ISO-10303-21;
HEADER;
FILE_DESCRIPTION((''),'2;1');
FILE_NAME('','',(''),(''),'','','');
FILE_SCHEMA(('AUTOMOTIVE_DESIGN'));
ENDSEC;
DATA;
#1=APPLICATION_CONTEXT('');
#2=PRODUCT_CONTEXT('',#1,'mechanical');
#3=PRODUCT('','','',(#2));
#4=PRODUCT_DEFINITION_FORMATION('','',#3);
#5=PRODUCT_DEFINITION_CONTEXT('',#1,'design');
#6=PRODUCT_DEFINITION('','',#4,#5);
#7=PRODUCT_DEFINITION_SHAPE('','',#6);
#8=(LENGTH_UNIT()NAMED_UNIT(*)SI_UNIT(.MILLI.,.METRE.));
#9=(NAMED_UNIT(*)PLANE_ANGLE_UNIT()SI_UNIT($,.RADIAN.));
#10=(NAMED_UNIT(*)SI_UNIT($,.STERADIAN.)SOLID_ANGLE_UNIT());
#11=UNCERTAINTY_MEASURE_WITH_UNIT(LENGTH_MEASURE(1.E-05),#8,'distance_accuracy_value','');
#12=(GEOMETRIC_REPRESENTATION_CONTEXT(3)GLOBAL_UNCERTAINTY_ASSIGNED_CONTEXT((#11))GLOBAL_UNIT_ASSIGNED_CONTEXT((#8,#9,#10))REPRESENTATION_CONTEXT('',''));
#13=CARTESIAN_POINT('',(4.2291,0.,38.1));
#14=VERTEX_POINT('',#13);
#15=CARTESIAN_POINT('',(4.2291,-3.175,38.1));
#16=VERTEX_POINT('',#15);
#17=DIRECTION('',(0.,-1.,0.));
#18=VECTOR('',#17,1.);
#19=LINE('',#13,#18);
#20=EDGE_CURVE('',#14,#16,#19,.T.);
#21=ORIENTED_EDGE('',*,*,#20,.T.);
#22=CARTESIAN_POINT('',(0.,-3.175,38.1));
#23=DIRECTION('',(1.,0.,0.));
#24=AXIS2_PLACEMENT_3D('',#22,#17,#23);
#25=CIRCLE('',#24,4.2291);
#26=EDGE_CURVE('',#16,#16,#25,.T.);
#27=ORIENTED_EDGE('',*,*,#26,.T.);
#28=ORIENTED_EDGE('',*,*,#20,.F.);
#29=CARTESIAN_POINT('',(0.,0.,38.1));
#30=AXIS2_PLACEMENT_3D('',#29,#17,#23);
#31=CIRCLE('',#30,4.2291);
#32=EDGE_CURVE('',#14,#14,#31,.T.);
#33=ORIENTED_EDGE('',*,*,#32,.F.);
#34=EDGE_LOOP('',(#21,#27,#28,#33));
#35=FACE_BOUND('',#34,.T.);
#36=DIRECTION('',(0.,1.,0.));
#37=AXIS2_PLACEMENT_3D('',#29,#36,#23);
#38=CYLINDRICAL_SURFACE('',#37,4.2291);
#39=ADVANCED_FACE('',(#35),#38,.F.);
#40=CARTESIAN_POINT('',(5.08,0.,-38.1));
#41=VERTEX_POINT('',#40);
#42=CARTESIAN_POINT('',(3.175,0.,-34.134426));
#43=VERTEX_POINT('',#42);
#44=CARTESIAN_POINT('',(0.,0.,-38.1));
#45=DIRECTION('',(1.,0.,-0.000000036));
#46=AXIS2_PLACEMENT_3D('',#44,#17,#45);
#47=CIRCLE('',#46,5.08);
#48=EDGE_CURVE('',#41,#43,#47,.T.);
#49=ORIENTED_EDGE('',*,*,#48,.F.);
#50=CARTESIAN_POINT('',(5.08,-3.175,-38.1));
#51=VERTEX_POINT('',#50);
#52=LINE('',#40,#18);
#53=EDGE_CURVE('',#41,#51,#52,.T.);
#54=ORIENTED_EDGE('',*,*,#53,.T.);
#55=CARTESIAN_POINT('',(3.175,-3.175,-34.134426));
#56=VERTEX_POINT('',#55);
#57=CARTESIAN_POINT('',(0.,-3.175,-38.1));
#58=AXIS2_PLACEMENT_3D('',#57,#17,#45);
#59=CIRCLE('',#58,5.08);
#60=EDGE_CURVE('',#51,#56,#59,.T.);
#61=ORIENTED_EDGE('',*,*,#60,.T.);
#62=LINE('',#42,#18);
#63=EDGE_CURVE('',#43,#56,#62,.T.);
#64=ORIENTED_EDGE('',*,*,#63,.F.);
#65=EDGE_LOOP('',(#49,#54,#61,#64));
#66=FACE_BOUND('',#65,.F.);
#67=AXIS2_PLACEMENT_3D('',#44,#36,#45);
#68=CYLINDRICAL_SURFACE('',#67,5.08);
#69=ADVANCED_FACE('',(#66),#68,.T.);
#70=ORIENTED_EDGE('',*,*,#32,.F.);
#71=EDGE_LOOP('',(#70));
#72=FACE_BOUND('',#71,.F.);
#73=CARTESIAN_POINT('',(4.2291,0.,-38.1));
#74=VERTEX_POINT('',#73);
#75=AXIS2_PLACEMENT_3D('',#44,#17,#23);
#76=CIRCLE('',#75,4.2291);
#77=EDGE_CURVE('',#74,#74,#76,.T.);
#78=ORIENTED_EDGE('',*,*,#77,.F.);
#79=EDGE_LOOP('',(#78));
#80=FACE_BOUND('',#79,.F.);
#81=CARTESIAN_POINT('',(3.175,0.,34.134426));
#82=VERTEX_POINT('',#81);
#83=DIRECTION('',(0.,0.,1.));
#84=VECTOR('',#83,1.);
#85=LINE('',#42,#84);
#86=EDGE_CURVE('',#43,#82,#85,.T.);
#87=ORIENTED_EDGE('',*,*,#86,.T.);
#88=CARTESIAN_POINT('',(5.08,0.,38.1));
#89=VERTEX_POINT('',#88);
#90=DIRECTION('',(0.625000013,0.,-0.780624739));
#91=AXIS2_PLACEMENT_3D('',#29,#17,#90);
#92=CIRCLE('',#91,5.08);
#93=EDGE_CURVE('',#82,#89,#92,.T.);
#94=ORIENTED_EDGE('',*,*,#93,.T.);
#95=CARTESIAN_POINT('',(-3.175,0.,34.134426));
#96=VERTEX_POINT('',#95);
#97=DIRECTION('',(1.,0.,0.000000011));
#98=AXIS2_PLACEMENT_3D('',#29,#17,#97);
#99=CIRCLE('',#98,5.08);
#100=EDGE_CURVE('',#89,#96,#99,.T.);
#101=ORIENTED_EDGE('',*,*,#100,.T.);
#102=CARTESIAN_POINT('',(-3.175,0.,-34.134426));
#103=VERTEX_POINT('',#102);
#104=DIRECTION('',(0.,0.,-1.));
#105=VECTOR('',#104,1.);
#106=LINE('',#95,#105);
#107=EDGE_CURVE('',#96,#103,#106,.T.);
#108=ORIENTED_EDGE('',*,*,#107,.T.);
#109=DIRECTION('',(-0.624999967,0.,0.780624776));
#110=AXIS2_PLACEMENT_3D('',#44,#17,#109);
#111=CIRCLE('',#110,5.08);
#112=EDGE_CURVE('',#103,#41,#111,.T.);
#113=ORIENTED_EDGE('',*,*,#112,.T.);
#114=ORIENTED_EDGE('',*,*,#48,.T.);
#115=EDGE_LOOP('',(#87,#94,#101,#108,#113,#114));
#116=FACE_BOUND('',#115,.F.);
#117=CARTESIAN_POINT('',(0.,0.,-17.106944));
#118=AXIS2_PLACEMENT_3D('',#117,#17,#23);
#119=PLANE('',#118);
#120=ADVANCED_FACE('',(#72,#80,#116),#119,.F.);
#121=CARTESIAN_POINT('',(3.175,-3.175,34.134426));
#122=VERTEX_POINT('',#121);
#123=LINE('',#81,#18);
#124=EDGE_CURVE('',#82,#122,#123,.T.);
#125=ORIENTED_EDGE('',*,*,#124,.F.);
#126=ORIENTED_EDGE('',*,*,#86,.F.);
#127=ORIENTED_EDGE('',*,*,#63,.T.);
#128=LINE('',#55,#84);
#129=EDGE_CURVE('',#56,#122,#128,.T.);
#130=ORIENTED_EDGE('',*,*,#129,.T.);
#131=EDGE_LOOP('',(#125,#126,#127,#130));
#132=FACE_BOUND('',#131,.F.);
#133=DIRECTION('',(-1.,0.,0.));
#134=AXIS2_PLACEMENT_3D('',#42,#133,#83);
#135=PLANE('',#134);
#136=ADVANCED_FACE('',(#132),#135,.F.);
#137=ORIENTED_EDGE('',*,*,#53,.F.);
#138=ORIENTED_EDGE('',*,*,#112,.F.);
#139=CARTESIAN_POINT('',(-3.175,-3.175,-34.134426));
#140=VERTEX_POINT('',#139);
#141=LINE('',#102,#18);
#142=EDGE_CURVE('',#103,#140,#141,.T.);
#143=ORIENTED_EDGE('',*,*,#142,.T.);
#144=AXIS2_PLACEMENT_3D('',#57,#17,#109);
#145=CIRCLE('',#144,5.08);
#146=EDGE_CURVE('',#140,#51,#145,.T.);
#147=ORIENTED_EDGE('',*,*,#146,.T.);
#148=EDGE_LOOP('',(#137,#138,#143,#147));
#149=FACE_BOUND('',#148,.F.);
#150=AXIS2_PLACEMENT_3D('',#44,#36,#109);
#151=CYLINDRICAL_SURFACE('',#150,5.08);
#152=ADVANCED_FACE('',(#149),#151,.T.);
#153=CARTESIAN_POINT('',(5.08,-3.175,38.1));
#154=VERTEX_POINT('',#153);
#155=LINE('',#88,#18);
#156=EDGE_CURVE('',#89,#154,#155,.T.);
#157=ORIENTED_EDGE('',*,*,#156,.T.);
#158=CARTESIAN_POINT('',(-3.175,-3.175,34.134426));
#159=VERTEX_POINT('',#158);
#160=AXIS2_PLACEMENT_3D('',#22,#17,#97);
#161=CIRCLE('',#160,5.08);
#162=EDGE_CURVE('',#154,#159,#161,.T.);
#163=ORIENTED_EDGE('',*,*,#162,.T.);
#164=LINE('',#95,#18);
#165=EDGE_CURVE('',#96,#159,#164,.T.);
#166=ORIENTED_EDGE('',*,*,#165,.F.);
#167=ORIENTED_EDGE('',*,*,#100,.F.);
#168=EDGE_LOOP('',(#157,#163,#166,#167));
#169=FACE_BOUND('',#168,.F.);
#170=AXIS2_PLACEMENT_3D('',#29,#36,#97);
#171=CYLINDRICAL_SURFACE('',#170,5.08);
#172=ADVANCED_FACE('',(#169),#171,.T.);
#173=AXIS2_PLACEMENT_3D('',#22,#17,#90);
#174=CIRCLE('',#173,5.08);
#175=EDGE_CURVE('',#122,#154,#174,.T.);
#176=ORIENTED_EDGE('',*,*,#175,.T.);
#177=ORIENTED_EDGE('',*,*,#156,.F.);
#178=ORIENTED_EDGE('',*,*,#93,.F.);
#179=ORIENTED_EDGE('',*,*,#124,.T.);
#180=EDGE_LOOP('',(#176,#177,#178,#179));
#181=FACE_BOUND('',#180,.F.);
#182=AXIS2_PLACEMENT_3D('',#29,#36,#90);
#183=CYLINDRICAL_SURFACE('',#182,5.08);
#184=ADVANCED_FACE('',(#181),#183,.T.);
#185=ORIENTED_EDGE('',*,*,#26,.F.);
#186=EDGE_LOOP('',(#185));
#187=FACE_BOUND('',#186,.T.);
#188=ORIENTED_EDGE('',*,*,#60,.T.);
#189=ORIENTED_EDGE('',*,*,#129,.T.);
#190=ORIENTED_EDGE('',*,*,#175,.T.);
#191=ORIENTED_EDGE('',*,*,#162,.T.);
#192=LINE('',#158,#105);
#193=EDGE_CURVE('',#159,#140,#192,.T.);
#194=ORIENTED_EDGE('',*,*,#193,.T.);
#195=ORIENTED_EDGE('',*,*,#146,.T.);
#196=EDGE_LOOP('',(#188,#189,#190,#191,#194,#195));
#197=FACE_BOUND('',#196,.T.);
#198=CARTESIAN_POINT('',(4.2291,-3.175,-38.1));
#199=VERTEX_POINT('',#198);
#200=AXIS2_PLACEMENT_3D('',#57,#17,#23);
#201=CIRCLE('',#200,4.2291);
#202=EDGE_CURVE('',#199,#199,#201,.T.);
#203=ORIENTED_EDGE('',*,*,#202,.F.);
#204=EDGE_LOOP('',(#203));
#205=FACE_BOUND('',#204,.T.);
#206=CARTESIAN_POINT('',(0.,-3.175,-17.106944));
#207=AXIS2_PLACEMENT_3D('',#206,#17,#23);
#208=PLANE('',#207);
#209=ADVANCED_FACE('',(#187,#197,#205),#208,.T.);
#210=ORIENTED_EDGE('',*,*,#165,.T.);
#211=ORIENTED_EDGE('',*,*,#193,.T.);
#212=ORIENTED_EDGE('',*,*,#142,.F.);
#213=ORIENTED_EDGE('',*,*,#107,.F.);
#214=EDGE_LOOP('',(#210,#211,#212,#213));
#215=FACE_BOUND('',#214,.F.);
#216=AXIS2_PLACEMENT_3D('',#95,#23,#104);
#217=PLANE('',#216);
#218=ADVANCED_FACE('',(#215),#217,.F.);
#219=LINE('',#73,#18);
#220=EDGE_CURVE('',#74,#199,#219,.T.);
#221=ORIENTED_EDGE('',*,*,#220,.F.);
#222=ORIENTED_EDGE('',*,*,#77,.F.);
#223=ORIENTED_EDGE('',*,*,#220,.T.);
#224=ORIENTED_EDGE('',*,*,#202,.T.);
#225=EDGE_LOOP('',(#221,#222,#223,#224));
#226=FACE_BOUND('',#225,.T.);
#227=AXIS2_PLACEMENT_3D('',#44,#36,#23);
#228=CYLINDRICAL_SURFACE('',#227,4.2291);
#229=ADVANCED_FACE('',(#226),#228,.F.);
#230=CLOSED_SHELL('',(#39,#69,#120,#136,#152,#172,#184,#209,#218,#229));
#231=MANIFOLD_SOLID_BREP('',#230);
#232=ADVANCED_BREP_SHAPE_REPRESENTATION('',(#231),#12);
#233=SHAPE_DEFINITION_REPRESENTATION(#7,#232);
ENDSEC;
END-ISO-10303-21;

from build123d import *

# Parameters (mm, degrees)
F0_R     = 4.2291
F1_DEPTH = 3.175


with BuildPart() as f1:
    # F0 (on Front) → F1 (new body)
    with BuildSketch(Plane.XZ):
        with BuildLine():
            ThreePointArc((-3.175, -34.134426), (0, -33.02), (3.175, -34.134426))
            Line((3.175, -34.134426), (3.175, 0))
            Line((3.175, 0), (-3.175, 0))
            Line((-3.175, 0), (-3.175, -34.134426))
        make_face()
        with BuildLine():
            ThreePointArc((5.08, -38.1), (4.57905, -35.900295), (3.175, -34.134426))
            ThreePointArc((3.175, -34.134426), (0, -33.02), (-3.175, -34.134426))
            ThreePointArc((-3.175, -34.134426), (-2.199705, -42.67905), (5.08, -38.1))
        make_face()
        with Locations((0, -38.1)):
            Circle(F0_R, mode=Mode.SUBTRACT)
        with BuildLine():
            Line((-3.175, 0), (3.175, 0))
            Line((3.175, 0), (3.175, 34.134426))
            ThreePointArc((3.175, 34.134426), (0, 33.02), (-3.175, 34.134426))
            Line((-3.175, 34.134426), (-3.175, 0))
        make_face()
        with BuildLine():
            ThreePointArc((-3.175, 34.134426), (0, 33.02), (3.175, 34.134426))
            ThreePointArc((3.175, 34.134426), (4.57905, 35.900295), (5.08, 38.1))
            ThreePointArc((5.08, 38.1), (-2.199705, 42.67905), (-3.175, 34.134426))
        make_face()
        with Locations((0, 38.1)):
            Circle(F0_R, mode=Mode.SUBTRACT)
    extrude(amount=F1_DEPTH)


solid = f1.part
